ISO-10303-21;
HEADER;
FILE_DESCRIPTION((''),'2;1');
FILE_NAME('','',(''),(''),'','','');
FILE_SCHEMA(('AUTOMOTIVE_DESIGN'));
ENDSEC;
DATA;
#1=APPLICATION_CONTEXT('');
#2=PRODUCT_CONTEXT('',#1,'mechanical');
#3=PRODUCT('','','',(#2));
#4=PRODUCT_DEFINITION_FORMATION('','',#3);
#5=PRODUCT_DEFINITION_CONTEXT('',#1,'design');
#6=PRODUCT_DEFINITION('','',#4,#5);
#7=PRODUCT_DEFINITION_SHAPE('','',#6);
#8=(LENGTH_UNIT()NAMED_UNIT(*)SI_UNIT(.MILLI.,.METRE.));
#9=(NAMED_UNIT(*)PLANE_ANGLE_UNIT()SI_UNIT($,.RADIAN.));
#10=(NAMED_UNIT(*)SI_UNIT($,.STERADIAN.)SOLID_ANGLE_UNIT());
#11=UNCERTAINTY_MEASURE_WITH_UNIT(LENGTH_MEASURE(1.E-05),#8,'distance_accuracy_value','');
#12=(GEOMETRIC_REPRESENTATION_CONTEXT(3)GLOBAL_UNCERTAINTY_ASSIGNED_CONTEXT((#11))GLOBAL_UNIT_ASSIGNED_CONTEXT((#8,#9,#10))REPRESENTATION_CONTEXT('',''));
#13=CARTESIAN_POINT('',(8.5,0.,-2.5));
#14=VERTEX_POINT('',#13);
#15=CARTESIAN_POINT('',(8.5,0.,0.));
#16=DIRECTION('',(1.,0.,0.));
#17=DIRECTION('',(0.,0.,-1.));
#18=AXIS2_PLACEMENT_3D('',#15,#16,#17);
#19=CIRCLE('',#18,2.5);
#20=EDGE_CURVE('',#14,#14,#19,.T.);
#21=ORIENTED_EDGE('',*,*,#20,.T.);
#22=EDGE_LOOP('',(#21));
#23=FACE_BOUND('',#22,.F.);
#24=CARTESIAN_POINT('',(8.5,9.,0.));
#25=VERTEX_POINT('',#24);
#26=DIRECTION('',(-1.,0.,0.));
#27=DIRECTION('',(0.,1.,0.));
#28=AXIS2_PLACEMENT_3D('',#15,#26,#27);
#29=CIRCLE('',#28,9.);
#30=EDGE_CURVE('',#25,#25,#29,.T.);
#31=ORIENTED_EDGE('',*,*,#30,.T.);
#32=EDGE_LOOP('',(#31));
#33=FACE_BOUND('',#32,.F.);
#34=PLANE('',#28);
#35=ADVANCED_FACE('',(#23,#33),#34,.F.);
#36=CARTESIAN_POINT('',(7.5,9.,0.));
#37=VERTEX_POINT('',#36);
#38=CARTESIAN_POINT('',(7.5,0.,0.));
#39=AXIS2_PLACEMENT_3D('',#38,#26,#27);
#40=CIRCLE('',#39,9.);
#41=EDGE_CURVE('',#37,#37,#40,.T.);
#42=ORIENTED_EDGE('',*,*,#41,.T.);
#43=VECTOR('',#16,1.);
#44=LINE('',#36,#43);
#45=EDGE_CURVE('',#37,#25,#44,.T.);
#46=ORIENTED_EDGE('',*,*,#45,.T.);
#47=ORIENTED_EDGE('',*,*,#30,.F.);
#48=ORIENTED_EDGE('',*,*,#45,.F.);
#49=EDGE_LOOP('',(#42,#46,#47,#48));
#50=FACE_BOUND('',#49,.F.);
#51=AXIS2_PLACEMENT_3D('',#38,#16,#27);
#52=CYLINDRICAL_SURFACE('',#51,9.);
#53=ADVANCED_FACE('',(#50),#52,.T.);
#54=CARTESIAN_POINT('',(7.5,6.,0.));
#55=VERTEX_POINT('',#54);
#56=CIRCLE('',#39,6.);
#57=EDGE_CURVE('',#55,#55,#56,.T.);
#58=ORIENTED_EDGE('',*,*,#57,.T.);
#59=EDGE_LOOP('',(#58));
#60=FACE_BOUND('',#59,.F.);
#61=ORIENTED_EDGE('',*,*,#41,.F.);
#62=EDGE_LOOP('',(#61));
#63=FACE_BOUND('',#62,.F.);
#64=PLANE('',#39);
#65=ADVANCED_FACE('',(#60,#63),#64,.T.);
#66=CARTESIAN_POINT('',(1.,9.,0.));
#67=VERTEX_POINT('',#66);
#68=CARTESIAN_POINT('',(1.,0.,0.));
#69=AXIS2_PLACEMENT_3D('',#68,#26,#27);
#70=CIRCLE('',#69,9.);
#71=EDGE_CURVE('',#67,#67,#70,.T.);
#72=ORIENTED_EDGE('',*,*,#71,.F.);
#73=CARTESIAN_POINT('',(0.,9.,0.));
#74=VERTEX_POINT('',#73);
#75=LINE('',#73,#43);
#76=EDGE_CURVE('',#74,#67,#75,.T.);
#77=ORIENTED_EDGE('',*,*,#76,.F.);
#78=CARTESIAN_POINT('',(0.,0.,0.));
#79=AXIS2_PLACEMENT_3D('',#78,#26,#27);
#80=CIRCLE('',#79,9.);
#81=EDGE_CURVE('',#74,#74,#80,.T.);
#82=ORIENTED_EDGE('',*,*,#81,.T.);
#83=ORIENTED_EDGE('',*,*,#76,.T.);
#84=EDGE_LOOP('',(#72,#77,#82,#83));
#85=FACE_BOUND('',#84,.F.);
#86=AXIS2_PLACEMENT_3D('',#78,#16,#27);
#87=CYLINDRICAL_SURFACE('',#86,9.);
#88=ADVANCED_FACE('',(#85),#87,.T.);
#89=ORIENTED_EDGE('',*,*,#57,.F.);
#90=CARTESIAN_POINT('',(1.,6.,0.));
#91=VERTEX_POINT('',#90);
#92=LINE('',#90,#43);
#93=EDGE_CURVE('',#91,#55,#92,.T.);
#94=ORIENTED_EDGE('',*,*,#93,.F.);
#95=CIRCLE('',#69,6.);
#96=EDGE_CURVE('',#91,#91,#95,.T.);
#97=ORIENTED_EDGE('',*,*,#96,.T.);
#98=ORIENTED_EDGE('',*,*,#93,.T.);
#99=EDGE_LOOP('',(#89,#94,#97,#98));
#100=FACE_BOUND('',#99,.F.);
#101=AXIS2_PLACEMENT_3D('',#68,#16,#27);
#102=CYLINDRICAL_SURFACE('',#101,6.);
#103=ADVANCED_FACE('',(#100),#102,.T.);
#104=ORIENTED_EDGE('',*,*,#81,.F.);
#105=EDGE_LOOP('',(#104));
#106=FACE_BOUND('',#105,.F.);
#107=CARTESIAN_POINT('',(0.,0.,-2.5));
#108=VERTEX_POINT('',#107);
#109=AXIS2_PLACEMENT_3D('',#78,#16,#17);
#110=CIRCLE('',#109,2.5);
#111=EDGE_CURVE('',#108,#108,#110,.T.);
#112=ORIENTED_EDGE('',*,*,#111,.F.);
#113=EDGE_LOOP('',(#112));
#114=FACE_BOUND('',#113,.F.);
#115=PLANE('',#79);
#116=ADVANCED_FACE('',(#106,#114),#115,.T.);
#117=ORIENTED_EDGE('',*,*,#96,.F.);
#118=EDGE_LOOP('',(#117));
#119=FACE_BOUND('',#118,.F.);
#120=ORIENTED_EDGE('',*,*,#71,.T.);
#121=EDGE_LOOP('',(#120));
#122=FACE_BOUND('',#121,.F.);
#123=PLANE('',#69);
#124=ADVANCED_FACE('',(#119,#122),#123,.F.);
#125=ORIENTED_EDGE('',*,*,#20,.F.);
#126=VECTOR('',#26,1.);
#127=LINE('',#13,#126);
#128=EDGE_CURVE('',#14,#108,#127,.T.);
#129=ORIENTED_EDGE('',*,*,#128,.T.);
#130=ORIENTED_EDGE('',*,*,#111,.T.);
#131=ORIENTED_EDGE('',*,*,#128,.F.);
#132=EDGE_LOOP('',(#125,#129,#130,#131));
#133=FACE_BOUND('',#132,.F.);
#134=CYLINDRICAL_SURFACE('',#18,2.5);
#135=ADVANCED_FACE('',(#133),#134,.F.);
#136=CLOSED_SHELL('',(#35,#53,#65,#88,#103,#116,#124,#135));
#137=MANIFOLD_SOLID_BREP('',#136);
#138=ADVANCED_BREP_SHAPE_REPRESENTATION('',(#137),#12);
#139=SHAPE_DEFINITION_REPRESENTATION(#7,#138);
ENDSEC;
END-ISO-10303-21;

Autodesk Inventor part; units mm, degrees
ref_plane "YZ Plane" through (0, 0, 0) normal (1, 0, 0) x (0, 1, 0)
ref_plane "XZ Plane" through (0, 0, 0) normal (0, 1, 0) x (-1, 0, 0)
ref_plane "XY Plane" through (0, 0, 0) normal (0, 0, 1) x (1, 0, 0)
sketch "Sketch1" plane through (0, 0, 0) normal (0, 0, 1) x (1, 0, 0)
  line L0 (0, 0) -> (0, 9)
  line L1 (0, 9) -> (1, 9)
  line L2 (1, 9) -> (1, 6)
  line L3 (1, 6) -> (7.5, 6)
  line L4 (7.5, 6) -> (7.5, 9)
  line L5 (7.5, 9) -> (8.5, 9)
  line L6 (8.5, 9) -> (8.5, 0)
  line L7 (8.5, 0) -> (0, 0)
  dimension "d0" = 8.5
  dimension "d1" = 9
  dimension "d2" = 6.5
  dimension "d3" = 6
  dimension "d9" = 1
revolve "Revolution1" add sketch "Sketch1" angle 360 about axis through (8.5, 0, 0) along (-1, 0, 0)
sketch "Sketch2" plane through (8.5, 0, 0) normal (1, 0, 0) x (0, 0, -1)
  circle A0 centre (0, 0) radius 9 projected
  circle A1 centre (0, 0) radius 2.5
  dimension "d6" = 5
extrude "Extrusion1" cut sketch "Sketch2" against normal up to next contours A1
properties part number "XY_Wheel-SquareBar-Rev3" material "Aluminum 6061"
